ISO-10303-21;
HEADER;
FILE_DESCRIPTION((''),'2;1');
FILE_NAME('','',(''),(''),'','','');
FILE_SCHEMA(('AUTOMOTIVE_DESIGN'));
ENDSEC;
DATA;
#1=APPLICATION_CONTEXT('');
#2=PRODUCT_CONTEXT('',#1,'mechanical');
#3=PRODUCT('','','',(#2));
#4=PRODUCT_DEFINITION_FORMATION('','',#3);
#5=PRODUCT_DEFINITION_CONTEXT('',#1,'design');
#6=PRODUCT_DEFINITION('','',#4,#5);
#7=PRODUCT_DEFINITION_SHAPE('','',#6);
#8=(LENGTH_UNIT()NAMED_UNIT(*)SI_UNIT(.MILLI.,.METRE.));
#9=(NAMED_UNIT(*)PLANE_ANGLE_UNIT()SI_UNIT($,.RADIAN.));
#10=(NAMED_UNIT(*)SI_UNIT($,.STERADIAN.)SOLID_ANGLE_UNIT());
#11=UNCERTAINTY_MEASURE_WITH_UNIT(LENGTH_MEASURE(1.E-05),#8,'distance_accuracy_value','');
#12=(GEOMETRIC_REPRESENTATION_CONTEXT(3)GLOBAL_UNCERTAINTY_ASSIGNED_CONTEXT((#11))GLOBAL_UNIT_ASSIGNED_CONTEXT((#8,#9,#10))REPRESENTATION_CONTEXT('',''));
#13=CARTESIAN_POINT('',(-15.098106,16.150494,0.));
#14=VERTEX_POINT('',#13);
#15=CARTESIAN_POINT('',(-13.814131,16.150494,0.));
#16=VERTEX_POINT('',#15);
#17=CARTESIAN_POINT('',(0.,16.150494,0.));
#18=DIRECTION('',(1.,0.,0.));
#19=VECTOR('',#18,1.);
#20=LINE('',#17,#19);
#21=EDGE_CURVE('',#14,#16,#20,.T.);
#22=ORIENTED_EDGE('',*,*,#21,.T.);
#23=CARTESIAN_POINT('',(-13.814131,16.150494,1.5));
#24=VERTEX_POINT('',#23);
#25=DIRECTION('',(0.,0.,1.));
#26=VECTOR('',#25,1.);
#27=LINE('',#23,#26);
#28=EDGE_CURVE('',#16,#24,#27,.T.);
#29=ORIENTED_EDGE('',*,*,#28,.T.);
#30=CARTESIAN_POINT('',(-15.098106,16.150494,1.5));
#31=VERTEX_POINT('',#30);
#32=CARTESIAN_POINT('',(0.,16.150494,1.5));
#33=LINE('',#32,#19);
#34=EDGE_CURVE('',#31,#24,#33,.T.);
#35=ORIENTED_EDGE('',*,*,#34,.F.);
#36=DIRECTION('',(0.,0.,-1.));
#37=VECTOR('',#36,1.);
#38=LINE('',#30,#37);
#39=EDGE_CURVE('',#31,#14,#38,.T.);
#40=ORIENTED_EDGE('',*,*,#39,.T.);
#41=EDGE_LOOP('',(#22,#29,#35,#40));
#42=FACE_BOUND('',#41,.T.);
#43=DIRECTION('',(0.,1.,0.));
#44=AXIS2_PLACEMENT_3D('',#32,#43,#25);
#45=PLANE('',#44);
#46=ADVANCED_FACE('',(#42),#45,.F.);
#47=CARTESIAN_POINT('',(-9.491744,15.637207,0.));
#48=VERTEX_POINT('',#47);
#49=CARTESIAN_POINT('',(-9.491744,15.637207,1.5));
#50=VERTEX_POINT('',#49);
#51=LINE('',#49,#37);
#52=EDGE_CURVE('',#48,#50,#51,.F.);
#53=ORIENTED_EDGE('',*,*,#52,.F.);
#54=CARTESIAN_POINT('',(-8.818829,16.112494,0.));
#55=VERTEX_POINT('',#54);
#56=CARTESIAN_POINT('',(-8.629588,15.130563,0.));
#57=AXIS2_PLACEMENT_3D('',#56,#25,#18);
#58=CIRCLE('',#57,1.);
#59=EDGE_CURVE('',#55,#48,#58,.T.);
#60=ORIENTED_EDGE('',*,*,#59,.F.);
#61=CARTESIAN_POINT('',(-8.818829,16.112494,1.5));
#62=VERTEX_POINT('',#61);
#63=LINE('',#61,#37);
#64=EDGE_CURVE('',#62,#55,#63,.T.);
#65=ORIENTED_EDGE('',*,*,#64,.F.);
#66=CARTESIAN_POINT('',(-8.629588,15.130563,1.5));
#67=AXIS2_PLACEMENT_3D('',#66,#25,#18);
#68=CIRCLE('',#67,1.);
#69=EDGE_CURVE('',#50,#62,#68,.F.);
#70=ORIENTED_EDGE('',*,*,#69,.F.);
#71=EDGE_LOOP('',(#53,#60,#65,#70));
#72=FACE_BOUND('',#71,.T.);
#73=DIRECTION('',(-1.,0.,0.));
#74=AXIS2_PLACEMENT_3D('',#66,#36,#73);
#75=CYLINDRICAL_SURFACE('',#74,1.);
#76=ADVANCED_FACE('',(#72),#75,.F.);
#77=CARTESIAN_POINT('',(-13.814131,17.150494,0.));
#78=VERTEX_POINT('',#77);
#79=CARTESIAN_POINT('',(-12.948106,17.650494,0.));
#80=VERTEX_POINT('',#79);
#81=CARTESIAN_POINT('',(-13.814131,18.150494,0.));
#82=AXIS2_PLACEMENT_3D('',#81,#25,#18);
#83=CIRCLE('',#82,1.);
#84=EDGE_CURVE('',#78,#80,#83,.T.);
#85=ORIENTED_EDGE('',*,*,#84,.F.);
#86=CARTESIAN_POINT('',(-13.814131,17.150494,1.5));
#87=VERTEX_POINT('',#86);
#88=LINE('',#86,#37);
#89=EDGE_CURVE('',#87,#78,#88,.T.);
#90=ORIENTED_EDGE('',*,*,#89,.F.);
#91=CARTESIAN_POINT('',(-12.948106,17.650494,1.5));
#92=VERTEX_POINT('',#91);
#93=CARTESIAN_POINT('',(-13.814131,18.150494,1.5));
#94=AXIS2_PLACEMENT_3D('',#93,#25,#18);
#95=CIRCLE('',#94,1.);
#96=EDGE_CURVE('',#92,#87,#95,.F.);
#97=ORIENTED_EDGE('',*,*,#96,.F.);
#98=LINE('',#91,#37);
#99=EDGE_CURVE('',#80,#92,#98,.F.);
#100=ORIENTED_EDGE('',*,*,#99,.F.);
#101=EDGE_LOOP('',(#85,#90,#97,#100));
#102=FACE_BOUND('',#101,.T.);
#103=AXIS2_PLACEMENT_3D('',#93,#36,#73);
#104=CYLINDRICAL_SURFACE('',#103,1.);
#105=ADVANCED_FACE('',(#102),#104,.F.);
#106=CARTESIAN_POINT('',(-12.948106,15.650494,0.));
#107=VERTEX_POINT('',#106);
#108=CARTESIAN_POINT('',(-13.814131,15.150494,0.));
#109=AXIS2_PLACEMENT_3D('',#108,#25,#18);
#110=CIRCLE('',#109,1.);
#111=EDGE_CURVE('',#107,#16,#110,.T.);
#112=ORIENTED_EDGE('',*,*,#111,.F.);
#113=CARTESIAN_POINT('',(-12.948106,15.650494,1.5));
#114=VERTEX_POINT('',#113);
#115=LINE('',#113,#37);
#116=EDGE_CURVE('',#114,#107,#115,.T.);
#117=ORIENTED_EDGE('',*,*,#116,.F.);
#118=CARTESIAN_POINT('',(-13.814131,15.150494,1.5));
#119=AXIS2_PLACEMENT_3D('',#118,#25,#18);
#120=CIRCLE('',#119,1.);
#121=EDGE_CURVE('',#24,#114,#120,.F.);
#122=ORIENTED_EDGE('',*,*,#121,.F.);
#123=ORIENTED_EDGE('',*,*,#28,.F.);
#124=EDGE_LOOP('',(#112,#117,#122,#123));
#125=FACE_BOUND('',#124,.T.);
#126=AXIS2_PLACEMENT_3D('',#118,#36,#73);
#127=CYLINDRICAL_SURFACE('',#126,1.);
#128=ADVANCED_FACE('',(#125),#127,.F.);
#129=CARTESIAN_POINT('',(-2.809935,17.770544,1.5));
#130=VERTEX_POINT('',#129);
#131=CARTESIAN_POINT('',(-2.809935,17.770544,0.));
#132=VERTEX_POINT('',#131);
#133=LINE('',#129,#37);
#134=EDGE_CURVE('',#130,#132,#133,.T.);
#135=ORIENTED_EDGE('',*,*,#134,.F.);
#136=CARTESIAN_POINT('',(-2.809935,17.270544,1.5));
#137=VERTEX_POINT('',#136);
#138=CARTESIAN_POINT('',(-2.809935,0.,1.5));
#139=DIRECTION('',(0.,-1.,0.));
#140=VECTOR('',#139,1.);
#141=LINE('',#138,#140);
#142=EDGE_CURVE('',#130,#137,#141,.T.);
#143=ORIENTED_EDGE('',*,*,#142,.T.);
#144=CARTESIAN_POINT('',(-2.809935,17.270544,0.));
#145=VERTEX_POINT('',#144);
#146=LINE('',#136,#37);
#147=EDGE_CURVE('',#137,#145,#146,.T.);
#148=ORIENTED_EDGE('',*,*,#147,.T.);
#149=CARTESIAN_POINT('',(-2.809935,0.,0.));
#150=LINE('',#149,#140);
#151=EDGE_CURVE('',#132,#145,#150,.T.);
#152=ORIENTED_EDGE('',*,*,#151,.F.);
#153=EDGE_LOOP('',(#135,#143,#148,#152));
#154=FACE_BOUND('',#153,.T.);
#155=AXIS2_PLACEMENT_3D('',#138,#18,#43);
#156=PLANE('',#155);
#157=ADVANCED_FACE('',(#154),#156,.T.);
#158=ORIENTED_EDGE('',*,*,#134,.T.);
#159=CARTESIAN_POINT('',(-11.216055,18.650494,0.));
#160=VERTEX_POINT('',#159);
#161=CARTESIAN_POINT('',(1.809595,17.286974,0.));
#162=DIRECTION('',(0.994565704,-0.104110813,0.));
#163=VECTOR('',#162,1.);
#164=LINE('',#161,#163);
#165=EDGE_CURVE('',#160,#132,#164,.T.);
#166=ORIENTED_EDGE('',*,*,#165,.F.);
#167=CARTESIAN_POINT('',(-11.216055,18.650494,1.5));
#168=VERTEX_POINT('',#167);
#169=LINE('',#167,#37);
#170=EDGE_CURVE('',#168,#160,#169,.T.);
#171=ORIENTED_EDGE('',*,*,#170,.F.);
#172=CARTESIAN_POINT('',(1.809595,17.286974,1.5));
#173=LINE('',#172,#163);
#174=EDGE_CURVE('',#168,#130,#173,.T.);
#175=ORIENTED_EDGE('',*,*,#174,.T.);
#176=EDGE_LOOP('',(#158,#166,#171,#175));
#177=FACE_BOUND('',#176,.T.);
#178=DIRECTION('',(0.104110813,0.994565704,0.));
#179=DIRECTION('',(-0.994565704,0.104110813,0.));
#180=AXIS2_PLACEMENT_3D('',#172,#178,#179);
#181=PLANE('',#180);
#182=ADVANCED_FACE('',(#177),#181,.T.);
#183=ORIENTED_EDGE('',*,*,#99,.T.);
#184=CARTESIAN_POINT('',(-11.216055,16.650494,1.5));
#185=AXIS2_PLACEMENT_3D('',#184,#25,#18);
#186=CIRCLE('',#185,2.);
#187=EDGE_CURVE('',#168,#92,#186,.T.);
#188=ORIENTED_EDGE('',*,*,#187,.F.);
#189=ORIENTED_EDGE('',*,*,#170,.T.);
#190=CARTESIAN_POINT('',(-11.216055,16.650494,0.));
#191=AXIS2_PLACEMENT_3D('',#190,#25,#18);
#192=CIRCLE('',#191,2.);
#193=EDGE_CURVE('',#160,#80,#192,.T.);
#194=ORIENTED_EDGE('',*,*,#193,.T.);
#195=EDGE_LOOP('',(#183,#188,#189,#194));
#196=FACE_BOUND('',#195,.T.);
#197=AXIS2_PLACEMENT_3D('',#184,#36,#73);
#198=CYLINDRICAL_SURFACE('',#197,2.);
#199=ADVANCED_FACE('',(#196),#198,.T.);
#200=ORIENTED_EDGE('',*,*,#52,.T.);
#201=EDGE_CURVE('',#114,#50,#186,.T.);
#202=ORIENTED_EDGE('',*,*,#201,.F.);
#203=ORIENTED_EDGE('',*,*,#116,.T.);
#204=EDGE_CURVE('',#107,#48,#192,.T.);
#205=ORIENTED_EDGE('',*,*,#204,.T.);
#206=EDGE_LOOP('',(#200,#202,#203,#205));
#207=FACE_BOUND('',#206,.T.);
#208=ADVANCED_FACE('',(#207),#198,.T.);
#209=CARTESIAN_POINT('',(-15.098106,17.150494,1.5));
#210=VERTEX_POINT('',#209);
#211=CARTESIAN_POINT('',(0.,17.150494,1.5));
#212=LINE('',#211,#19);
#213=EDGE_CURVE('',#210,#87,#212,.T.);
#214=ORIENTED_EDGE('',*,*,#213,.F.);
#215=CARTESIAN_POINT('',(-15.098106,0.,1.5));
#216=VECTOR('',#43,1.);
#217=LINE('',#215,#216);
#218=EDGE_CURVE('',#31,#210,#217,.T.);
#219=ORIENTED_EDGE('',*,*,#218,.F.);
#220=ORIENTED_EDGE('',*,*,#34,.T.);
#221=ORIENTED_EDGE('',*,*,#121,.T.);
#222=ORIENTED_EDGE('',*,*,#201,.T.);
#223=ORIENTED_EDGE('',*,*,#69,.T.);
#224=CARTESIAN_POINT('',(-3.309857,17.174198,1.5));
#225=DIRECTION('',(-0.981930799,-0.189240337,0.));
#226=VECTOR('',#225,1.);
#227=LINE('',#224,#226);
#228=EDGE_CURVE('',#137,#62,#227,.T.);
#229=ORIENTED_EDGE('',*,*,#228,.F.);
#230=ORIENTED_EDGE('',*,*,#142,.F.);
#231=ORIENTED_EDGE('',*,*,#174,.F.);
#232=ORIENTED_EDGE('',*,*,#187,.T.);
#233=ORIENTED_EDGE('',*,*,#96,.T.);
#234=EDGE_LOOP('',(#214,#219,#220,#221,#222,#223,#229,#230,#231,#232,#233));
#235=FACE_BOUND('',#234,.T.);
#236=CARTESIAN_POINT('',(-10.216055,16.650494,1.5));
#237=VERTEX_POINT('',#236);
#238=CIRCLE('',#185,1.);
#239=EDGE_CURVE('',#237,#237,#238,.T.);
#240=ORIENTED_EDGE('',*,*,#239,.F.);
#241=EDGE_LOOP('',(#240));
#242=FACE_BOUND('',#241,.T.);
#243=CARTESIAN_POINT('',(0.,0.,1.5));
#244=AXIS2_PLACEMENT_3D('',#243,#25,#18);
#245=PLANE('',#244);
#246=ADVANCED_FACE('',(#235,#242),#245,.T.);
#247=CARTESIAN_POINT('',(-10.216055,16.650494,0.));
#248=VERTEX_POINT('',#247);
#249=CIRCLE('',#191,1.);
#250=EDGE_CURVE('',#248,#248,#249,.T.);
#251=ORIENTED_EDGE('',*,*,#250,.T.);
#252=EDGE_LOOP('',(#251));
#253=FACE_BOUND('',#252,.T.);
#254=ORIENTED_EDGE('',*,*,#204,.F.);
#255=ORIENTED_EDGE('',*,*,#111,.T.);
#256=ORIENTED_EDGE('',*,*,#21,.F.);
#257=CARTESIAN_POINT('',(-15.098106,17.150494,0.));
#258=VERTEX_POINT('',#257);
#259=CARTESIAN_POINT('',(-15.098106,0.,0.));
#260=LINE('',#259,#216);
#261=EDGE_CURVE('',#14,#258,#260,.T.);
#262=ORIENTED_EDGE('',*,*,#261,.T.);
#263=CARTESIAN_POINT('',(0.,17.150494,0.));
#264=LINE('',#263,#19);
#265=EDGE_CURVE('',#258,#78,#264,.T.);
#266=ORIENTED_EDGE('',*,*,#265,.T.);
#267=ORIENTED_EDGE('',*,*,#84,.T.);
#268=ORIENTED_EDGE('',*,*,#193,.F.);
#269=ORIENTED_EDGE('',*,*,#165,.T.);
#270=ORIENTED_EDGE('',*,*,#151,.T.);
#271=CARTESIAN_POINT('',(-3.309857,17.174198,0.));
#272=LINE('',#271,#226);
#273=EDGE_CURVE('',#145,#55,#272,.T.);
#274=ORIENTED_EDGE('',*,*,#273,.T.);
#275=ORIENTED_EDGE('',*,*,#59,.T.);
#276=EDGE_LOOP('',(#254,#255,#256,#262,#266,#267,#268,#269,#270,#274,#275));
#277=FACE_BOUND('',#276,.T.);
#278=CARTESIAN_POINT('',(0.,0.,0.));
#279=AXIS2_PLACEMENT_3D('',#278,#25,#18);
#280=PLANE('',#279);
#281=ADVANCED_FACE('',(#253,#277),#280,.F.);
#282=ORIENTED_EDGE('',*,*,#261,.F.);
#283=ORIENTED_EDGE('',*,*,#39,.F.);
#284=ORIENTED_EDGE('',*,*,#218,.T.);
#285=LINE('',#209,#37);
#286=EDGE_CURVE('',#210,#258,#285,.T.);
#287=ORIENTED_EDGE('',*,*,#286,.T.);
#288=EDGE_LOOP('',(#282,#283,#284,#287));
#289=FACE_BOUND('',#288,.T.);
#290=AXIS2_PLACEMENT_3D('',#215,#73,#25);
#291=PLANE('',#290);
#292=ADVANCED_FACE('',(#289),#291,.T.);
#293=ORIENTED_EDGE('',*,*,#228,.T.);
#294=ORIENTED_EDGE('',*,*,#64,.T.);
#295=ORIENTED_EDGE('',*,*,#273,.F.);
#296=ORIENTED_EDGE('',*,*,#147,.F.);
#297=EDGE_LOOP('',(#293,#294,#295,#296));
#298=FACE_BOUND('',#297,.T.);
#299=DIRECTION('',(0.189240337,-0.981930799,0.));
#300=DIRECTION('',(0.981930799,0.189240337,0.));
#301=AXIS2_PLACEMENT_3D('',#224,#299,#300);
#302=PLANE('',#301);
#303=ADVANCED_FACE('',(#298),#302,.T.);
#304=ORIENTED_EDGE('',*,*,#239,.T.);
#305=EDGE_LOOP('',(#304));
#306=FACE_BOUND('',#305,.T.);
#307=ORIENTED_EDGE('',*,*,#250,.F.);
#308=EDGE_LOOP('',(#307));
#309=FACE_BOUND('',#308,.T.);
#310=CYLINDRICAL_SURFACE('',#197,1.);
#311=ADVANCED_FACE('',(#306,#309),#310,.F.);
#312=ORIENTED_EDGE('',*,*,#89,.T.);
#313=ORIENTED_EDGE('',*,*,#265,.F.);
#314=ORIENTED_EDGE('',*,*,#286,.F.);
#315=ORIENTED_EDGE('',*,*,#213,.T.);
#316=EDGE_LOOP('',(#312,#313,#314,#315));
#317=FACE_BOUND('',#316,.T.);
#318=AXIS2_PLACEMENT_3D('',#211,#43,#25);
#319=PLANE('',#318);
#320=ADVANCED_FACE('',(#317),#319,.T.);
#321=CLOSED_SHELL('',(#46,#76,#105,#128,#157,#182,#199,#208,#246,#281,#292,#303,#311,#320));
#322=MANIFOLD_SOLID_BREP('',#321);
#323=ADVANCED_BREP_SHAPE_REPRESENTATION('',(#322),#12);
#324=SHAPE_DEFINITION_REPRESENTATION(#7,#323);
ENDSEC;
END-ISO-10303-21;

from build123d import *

# Parameters (mm, degrees)
SKETCH1_R           = 1
BOSS_EXTRUDE1_DEPTH = 1.5
FILLET1_R           = 1
FILLET2_R           = 1
FILLET3_R           = 1


with BuildPart() as part:
    # Sketch1 → Boss-Extrude1 (new body)
    with BuildSketch(Plane.XY):
        with BuildLine():
            Line((-2.809934638, 17.270544454), (-2.809934638, 17.770544454))
            Line((-2.809934638, 17.770544454), (-11.216055041, 18.650494389))
            ThreePointArc((-11.216055041, 18.650494389), (-12.440799912, 18.231633219), (-13.152546714, 17.150494389))
            Line((-13.152546714, 17.150494389), (-15.098105849, 17.150494389))
            Line((-15.098105849, 17.150494389), (-15.098105849, 16.150494389))
            Line((-15.098105849, 16.150494389), (-13.152546714, 16.150494389))
            ThreePointArc((-13.152546714, 16.150494389), (-11.28616953, 14.651723777), (-9.319359, 16.016030736))
            Line((-9.319359, 16.016030736), (-2.809934638, 17.270544454))
        make_face()
        with Locations((-11.216055041, 16.650494389)):
            Circle(SKETCH1_R, mode=Mode.SUBTRACT)
    extrude(amount=BOSS_EXTRUDE1_DEPTH)

    # Fillet1
    fillet1_edges = [part.edges().sort_by_distance(p)[0] for p in [
        (-13.152546714, 16.150494389, 0.75),
    ]]
    fillet(fillet1_edges, radius=FILLET1_R)

    # Fillet2
    fillet2_edges = [part.edges().sort_by_distance(p)[0] for p in [
        (-13.152546714, 17.150494389, 0.75),
    ]]
    fillet(fillet2_edges, radius=FILLET2_R)

    # Fillet3
    fillet3_edges = [part.edges().sort_by_distance(p)[0] for p in [
        (-9.319359, 16.016030736, 0.75),
    ]]
    fillet(fillet3_edges, radius=FILLET3_R)


solid = part.part
